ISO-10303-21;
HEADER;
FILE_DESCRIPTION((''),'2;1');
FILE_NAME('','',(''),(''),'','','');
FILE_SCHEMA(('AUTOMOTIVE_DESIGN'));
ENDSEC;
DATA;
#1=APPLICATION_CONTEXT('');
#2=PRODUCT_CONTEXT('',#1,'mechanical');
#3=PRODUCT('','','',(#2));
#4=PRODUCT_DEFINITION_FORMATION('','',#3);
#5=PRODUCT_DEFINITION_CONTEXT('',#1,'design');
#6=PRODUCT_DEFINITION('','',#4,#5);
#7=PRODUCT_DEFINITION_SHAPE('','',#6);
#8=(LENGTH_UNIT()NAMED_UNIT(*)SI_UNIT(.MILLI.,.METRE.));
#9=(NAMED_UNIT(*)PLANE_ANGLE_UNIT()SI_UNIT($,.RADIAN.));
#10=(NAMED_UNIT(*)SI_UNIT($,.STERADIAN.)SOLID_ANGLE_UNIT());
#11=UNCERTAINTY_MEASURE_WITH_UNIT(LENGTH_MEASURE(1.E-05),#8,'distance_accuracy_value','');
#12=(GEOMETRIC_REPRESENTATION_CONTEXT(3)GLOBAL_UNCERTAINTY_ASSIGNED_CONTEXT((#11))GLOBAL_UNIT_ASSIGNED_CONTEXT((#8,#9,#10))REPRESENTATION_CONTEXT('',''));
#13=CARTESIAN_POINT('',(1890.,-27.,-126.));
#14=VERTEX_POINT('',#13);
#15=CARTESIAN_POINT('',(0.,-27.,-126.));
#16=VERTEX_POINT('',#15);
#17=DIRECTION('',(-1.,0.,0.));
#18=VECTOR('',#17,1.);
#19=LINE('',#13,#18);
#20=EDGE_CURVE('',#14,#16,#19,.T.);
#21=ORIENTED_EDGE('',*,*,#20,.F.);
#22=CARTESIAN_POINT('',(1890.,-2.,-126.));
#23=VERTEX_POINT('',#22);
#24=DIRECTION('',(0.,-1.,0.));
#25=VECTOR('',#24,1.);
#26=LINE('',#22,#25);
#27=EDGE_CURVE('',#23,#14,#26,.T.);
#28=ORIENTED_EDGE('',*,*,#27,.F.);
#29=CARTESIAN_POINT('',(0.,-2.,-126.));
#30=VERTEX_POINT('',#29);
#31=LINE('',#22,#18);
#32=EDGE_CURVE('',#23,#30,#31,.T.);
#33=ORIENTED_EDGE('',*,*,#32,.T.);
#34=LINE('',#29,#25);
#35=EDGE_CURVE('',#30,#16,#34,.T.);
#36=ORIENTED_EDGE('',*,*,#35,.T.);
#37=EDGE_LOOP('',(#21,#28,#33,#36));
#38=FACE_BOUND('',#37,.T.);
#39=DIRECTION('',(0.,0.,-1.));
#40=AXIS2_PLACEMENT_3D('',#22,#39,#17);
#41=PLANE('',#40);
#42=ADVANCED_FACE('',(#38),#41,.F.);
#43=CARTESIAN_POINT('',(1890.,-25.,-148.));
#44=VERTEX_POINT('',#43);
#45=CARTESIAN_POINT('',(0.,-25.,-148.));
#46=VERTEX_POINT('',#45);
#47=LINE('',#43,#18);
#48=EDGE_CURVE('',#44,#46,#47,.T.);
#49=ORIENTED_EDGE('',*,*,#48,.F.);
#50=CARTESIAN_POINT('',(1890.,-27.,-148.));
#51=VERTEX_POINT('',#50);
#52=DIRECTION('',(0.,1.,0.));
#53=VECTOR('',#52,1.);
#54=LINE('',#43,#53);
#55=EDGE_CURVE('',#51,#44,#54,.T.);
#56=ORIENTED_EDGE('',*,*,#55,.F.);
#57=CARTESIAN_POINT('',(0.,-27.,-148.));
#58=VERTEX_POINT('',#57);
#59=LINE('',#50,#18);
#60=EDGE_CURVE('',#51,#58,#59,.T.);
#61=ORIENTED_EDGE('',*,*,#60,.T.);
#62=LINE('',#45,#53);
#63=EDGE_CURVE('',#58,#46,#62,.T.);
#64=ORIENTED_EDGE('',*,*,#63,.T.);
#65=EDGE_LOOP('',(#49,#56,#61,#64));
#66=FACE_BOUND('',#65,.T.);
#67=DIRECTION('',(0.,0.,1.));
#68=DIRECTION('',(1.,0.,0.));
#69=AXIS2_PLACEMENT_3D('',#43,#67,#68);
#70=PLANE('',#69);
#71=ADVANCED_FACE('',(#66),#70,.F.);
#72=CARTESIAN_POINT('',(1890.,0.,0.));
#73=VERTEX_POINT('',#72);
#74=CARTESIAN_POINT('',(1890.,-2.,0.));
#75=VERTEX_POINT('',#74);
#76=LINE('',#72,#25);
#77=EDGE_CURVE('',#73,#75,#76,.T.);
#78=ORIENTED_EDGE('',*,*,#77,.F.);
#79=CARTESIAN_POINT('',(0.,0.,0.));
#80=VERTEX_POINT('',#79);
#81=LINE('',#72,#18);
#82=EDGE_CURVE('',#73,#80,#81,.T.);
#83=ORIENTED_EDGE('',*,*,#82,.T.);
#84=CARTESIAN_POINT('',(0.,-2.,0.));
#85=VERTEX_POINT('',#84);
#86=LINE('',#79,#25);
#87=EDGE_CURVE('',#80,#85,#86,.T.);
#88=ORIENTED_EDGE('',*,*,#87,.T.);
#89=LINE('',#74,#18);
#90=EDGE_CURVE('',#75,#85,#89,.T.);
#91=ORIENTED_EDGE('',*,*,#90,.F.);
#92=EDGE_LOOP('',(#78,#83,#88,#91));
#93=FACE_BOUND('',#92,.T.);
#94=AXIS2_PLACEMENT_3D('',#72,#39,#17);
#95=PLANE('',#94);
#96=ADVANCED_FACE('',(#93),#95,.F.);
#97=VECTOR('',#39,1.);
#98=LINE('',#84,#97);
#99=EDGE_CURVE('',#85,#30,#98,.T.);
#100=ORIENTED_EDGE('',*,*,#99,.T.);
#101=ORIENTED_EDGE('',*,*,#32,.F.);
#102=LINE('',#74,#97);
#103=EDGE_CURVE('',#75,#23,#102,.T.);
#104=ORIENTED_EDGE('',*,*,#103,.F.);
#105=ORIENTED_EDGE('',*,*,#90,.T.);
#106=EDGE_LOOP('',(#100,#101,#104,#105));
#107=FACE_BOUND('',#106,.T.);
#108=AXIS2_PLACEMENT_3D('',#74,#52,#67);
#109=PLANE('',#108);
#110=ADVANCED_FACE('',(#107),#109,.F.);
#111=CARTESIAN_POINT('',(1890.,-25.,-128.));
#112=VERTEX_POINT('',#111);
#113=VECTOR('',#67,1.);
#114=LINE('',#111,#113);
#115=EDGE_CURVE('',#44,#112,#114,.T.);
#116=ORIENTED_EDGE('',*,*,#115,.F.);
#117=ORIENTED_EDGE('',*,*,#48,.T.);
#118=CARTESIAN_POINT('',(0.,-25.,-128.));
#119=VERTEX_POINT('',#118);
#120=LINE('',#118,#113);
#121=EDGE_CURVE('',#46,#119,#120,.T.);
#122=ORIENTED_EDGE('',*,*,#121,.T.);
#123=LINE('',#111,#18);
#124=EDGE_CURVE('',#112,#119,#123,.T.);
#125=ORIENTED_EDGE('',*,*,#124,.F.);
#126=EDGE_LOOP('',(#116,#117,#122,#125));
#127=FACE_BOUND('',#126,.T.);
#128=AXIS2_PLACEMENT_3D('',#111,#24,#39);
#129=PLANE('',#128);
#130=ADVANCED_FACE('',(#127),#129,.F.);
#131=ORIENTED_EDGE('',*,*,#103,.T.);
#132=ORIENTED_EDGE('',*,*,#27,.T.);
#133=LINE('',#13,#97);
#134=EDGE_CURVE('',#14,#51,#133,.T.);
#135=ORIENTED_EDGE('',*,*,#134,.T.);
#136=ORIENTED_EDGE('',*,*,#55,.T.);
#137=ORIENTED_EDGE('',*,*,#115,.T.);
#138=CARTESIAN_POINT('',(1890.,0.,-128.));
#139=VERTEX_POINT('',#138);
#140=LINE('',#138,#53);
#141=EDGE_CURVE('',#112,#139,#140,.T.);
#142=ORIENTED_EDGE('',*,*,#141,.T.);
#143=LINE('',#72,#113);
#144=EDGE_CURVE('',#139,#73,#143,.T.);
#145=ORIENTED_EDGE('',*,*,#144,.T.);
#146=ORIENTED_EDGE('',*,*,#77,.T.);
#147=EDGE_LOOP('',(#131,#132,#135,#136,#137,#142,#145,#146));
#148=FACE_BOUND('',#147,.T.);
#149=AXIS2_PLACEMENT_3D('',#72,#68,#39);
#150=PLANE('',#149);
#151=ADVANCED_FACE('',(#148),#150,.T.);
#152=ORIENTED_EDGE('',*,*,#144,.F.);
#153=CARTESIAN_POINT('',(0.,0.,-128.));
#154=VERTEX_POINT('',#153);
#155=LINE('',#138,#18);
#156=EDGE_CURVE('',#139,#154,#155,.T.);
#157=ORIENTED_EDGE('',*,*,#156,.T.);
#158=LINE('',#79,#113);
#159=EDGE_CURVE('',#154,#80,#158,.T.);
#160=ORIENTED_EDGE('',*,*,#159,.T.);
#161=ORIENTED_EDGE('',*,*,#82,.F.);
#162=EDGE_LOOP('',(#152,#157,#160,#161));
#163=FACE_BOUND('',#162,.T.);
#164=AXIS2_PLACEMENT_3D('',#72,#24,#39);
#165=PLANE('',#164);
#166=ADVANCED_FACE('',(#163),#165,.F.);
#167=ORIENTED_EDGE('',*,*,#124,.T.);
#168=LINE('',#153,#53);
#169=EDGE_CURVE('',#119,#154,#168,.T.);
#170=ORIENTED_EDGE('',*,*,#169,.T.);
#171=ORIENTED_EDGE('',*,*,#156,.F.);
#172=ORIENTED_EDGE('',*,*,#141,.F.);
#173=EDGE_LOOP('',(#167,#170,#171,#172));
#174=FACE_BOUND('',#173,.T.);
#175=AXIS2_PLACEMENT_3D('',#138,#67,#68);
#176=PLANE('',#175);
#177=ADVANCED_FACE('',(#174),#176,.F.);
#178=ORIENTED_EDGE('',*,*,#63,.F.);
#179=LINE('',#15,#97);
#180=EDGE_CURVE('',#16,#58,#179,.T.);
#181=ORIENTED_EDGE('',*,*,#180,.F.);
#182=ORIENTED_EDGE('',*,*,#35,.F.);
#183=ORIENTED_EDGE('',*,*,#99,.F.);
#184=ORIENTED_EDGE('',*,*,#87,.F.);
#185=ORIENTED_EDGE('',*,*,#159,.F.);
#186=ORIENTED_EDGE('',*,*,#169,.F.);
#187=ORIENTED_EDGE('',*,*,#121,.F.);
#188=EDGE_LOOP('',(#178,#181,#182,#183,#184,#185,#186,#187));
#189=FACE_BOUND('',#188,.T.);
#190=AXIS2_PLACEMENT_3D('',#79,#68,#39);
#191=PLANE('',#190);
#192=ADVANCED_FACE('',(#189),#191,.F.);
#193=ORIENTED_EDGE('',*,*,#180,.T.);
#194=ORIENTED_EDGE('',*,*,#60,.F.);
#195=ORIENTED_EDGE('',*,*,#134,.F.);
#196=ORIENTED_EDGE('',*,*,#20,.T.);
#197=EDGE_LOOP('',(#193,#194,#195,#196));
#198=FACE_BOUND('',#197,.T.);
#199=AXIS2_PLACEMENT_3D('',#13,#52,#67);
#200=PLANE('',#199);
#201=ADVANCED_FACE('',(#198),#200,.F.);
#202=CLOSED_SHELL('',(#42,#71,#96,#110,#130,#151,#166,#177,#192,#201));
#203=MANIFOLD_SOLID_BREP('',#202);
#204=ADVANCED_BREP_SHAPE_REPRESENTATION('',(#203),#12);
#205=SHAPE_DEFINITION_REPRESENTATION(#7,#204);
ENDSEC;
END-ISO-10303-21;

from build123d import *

# Parameters (mm, degrees)
BOSS_EXTRUDE2_DEPTH = 1890


with BuildPart() as part:
    # Sketch1 → Boss-Extrude2 (new body)
    with BuildSketch(Plane(origin=(0, 0, 0), x_dir=(0, 0, -1), z_dir=(1, 0, 0))):
        Polygon((0, 0), (128, 0), (128, -25), (148, -25), (148, -27), (126, -27), (126, -2), (0, -2), align=None)
    extrude(amount=BOSS_EXTRUDE2_DEPTH)


solid = part.part
